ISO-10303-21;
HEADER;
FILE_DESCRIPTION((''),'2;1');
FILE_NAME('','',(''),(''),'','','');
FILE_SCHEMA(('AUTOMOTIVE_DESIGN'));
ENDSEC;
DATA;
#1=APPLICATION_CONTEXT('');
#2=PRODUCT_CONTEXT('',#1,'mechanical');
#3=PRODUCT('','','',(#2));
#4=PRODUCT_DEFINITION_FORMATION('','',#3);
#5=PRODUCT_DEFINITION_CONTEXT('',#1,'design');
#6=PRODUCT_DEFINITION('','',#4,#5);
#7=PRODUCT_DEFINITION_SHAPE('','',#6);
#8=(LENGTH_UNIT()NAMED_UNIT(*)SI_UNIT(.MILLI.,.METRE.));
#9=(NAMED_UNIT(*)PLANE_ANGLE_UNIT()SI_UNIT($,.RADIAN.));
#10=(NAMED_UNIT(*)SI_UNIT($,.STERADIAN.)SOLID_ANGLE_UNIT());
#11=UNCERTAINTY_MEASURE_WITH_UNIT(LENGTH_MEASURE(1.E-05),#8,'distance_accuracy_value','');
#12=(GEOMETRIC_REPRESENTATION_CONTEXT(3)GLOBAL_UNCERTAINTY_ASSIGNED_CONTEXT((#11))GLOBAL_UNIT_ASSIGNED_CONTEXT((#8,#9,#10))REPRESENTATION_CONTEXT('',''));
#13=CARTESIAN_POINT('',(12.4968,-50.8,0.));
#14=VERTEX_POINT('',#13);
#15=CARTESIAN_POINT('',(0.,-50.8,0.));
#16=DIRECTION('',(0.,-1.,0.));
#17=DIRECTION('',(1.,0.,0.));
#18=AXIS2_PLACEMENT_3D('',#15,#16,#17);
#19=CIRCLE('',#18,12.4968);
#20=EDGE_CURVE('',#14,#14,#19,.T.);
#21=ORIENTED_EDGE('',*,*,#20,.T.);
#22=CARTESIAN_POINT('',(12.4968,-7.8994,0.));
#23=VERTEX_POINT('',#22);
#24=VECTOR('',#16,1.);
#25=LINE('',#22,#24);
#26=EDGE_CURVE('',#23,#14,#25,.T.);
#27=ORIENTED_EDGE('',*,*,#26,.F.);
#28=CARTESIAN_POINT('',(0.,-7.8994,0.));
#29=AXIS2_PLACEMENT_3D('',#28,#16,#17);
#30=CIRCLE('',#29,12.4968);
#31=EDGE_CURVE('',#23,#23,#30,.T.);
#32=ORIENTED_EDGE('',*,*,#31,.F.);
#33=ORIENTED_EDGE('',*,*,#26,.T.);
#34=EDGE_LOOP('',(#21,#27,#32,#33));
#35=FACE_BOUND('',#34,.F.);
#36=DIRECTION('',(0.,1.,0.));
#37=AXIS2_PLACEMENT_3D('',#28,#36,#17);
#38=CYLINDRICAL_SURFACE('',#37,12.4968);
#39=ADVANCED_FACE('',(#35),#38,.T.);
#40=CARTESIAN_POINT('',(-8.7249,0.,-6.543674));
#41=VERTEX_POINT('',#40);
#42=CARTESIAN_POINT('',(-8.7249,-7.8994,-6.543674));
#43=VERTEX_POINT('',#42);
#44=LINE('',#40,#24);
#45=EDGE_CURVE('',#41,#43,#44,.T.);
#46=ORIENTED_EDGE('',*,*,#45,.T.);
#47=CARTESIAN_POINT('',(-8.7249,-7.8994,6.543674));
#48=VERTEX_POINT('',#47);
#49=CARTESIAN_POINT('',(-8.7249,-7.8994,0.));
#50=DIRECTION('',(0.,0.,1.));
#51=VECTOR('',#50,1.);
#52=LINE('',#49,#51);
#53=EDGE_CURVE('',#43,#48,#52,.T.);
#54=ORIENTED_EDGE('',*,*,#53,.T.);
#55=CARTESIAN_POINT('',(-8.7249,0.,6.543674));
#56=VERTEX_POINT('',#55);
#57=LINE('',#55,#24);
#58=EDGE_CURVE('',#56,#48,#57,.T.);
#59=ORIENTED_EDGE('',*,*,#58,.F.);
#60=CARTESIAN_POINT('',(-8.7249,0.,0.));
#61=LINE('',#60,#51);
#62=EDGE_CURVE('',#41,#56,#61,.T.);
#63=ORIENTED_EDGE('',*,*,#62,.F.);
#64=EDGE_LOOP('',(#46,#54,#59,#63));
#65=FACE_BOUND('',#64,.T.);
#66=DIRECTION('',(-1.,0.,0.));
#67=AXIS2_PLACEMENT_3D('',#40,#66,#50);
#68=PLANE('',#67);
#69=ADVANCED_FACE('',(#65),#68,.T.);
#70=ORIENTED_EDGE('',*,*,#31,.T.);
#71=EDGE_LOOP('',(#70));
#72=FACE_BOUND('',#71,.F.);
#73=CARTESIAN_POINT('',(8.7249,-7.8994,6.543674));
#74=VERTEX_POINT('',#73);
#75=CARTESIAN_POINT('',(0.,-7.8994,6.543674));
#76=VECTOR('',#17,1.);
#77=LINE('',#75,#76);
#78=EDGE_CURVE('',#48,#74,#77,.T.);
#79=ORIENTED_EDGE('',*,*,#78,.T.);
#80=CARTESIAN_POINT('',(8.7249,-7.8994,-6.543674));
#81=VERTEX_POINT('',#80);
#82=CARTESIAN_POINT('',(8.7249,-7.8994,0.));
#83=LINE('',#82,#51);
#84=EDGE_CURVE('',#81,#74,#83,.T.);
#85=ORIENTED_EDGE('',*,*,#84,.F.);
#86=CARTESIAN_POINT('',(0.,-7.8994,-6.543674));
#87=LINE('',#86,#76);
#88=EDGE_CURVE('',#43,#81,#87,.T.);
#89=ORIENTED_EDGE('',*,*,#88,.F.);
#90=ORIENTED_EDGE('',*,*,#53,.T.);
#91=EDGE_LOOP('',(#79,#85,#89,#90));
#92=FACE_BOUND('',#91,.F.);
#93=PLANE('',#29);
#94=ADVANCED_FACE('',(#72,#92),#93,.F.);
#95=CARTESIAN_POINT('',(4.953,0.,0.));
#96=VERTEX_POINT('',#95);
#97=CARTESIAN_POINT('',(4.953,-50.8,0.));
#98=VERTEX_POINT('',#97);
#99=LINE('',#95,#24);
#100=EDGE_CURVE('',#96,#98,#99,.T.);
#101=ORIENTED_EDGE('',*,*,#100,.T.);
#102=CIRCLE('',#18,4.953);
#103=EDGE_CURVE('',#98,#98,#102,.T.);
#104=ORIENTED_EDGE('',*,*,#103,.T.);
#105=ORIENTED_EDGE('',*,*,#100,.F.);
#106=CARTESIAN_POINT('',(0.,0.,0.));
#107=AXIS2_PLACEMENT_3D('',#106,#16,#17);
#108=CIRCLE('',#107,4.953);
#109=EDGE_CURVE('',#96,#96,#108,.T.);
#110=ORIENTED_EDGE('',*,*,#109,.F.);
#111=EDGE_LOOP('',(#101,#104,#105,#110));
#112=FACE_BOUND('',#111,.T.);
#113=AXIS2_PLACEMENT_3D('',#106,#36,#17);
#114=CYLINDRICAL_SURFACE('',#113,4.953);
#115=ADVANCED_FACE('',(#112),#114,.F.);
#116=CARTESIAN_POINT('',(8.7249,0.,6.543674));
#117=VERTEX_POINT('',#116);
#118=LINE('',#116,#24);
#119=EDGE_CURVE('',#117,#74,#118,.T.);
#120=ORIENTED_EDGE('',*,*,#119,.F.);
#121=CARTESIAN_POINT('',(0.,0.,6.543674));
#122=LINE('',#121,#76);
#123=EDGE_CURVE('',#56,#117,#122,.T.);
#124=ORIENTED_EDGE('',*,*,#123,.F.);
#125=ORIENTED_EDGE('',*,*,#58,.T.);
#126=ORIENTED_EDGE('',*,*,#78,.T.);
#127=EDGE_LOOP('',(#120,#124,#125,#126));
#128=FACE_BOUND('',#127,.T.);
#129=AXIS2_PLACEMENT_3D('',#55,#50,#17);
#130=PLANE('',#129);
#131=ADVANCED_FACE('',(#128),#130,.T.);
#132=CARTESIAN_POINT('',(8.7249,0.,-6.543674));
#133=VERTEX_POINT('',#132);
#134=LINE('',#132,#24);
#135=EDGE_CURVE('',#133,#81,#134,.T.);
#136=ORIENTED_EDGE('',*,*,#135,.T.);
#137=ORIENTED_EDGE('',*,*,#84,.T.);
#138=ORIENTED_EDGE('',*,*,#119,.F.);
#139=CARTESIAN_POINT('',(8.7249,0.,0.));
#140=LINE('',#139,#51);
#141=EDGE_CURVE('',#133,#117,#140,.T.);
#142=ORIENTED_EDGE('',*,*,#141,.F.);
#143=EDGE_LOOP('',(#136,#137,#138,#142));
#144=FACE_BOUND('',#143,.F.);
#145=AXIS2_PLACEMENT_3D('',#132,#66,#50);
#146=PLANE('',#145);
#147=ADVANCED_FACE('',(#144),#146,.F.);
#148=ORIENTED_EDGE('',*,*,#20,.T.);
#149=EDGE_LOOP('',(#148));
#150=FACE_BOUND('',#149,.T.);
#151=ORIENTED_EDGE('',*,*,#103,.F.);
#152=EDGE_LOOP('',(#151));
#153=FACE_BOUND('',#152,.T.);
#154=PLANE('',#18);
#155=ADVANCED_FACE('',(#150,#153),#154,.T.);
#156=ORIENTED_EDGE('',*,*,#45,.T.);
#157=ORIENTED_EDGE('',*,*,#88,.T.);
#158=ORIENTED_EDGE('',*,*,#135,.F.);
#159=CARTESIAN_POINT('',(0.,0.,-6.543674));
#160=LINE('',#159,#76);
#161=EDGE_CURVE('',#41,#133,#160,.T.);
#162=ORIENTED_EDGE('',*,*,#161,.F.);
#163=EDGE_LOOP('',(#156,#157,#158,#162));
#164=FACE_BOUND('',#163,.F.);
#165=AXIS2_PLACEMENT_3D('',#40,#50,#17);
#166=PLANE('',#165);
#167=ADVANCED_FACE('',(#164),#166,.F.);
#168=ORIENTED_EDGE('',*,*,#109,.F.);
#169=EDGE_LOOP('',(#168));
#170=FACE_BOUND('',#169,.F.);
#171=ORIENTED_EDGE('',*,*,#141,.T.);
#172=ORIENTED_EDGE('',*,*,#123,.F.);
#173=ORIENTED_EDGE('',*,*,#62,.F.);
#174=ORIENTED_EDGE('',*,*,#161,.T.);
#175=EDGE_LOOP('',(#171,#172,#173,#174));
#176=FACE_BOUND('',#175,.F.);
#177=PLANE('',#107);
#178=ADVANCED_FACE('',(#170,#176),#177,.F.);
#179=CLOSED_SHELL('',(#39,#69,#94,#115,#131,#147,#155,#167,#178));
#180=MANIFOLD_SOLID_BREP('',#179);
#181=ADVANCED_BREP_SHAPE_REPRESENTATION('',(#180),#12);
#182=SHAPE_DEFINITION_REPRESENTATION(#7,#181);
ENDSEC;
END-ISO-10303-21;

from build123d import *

# Parameters (mm, degrees)
F2_W     = 17.4498
F2_H     = 13.087348
F4_DEPTH = 7.8994
F3_R     = 12.4968
F5_DEPTH = 42.9006
F1_R     = 4.953
F6_DEPTH = 50.8


with BuildPart() as f4:
    # F2 (on Front) → F4 (new body)
    with BuildSketch(Plane.XZ):
        Rectangle(F2_W, F2_H)
    extrude(amount=F4_DEPTH)

    # F3 (on offset) → F5 (join)
    with BuildSketch(Plane.XZ.offset(7.8994)):
        Circle(F3_R)
    extrude(amount=F5_DEPTH)

    # F1 (on Front) → F6 (cut)
    with BuildSketch(Plane.XZ):
        Circle(F1_R)
    extrude(amount=F6_DEPTH, mode=Mode.SUBTRACT)


solid = f4.part
